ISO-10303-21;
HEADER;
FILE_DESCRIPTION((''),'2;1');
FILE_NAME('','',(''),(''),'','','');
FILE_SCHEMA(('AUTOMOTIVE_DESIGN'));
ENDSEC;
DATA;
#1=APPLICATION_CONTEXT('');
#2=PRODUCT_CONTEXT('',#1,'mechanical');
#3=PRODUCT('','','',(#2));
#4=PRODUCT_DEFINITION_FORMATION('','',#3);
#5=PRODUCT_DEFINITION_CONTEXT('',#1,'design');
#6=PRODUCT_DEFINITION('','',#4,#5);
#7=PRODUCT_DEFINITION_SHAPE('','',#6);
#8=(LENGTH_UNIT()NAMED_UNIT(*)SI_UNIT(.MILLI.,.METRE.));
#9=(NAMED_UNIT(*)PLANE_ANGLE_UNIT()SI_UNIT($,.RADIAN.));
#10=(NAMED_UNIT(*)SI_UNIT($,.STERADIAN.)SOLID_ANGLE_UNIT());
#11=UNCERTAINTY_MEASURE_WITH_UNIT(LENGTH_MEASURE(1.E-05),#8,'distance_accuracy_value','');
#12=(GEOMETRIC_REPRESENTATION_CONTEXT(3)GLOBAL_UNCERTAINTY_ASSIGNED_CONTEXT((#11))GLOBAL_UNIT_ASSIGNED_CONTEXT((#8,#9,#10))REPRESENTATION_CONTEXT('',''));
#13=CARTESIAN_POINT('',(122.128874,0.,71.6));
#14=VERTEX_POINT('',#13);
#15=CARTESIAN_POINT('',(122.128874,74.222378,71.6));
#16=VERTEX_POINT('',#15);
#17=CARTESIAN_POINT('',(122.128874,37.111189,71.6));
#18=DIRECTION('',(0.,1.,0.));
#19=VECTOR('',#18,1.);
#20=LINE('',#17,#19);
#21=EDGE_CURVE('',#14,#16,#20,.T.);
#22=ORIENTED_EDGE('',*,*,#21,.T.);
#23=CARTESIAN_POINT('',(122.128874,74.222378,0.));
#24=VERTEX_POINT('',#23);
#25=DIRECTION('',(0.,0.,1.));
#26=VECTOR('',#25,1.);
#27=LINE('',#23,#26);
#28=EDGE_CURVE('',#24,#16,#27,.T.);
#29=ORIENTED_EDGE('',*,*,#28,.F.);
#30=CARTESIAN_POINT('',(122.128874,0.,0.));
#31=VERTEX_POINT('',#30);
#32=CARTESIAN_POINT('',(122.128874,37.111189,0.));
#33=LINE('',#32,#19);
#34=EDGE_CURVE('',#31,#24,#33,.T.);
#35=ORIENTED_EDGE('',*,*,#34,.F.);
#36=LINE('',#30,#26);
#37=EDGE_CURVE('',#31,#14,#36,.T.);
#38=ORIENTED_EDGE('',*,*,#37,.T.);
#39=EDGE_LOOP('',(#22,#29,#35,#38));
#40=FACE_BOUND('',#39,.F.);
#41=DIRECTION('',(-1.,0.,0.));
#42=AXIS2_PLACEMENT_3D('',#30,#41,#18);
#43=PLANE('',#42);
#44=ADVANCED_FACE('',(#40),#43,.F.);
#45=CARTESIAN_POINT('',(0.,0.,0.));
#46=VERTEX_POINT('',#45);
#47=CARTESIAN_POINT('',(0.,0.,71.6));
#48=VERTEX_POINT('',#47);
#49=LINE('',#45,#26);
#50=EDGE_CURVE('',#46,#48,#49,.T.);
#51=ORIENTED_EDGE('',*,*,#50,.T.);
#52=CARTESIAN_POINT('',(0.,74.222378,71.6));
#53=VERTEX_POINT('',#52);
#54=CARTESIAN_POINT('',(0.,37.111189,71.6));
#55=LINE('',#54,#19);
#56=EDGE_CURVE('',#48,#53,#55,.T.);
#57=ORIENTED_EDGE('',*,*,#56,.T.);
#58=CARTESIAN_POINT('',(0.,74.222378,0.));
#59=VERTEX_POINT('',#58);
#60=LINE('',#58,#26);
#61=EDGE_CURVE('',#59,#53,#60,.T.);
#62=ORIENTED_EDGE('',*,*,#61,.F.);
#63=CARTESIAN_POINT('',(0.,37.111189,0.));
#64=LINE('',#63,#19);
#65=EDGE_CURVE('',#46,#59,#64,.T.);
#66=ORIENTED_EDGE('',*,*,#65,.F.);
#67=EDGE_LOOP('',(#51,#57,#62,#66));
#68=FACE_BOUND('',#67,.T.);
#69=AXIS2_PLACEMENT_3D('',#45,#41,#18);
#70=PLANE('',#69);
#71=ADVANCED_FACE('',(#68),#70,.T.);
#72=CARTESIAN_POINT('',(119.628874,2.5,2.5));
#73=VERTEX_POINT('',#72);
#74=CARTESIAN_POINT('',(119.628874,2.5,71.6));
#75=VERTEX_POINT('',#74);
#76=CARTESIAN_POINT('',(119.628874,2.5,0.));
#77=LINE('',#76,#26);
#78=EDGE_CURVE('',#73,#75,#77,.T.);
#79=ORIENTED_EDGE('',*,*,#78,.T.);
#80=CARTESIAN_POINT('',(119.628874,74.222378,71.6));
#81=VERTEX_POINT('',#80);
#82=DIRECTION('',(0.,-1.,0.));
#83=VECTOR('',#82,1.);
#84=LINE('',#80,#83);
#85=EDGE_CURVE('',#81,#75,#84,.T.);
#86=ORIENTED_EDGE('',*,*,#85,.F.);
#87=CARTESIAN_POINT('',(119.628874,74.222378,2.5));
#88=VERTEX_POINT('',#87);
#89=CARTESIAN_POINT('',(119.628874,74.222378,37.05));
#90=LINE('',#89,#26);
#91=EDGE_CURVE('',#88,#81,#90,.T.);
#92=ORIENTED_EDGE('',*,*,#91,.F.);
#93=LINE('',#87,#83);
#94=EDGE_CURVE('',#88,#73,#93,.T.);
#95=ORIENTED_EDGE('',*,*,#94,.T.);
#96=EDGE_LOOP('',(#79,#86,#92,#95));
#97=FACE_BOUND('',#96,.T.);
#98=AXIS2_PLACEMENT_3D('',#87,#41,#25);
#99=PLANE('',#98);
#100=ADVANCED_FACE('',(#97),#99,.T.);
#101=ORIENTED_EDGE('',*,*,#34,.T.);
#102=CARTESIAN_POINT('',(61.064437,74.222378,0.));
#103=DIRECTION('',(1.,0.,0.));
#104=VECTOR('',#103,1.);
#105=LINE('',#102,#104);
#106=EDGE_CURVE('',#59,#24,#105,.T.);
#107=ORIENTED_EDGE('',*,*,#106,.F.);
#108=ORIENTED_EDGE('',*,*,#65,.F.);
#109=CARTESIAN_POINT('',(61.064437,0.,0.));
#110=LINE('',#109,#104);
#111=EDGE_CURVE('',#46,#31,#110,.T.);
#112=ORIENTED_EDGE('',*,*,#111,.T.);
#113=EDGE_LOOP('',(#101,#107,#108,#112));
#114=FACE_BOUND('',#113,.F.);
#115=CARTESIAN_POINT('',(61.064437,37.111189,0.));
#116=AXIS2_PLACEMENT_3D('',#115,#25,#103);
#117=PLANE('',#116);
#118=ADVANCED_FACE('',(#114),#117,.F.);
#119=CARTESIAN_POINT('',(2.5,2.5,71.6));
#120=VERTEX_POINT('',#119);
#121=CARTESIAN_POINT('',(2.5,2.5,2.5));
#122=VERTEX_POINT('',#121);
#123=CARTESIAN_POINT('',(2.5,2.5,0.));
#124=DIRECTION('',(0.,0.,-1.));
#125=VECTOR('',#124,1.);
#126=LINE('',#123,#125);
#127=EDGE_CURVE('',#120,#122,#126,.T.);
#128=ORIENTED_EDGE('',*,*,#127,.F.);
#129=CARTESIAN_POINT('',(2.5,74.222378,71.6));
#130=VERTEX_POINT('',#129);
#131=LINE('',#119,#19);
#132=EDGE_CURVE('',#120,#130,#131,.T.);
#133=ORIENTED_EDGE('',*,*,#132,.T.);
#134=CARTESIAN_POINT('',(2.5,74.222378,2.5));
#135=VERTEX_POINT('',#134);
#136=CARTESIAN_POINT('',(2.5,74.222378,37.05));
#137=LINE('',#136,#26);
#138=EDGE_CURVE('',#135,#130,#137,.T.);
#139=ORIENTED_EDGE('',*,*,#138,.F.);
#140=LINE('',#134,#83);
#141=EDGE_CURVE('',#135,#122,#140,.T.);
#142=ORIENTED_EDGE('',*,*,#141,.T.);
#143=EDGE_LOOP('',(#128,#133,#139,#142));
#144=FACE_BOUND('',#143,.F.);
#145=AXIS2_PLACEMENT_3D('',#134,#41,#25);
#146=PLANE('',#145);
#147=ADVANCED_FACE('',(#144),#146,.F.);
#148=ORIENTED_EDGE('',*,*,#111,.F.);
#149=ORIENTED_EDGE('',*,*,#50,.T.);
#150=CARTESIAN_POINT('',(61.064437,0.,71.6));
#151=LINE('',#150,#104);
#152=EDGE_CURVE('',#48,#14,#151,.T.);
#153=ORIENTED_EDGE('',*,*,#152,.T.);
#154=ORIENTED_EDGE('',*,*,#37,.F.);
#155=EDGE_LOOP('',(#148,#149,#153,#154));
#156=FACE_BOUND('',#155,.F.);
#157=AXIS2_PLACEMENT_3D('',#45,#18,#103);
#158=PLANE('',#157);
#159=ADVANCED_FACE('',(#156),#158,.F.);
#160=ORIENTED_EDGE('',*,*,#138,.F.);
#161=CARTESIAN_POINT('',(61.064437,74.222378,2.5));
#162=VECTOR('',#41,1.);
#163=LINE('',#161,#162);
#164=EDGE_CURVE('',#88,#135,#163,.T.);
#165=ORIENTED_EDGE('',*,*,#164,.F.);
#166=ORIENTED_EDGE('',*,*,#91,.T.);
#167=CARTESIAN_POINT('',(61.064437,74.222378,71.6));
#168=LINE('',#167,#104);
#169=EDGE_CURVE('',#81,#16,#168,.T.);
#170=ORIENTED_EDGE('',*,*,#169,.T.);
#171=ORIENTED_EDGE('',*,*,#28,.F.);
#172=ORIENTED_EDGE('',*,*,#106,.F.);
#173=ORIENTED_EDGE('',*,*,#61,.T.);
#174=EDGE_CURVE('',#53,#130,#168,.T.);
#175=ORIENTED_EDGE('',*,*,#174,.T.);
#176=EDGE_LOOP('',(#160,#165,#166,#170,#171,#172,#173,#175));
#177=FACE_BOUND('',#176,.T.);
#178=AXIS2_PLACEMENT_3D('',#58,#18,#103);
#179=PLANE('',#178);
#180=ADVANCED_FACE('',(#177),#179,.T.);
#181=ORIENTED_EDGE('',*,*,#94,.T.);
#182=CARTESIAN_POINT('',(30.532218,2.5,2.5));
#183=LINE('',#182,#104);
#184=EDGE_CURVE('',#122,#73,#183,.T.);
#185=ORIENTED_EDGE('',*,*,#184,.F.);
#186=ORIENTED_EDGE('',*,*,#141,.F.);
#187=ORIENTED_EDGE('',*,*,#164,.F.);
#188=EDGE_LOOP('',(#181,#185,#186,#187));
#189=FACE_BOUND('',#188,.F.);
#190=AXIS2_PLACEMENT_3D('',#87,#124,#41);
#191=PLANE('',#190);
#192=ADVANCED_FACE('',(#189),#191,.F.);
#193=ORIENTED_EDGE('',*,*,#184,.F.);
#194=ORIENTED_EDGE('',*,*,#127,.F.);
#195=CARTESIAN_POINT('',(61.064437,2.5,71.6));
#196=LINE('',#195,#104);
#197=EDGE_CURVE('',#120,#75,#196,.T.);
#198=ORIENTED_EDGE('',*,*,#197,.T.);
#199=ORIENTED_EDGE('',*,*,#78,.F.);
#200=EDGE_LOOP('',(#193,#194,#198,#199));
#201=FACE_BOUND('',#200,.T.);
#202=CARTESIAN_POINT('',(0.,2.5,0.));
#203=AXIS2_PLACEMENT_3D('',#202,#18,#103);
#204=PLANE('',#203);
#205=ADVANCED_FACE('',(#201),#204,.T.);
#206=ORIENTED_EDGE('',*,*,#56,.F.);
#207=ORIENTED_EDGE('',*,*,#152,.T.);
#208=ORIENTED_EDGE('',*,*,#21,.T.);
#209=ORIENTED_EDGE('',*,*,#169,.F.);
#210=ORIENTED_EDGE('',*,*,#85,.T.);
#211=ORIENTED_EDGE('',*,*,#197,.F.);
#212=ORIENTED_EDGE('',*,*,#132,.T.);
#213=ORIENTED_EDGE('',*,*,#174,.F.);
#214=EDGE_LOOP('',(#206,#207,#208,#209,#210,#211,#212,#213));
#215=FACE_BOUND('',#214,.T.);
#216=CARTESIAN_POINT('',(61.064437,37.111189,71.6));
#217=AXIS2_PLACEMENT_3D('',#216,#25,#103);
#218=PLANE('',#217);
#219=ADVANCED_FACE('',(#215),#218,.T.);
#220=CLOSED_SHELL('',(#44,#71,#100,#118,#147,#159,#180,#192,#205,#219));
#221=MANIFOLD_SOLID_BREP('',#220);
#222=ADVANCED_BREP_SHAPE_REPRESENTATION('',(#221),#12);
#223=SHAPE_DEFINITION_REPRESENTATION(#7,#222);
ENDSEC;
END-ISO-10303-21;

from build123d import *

# Parameters (mm, degrees)
F0_W     = 122.128874
F0_H     = 74.222378
F1_DEPTH = 71.6
F2_T     = -2.5
F3_W     = 117.128874
F3_H     = 69.1
F4_DEPTH = 25


with BuildPart() as f1:
    # F0 (on Top) → F1 (new body)
    with BuildSketch(Plane.XY):
        with Locations((61.064437, 37.111189)):
            Rectangle(F0_W, F0_H)
    extrude(amount=F1_DEPTH)

    # F2
    f2_openings = [f1.faces().sort_by_distance(p)[0] for p in [
        (61.064437, 37.111189, 71.6),
    ]]
    offset(amount=F2_T, openings=f2_openings)

    # F3 (on face) → F4 (cut)
    with BuildSketch(Plane(origin=(0, 74.222378, 0), x_dir=(-1, 0, 0), z_dir=(0, 1, 0))):
        with Locations((-61.064437, 37.05)):
            Rectangle(F3_W, F3_H)
    extrude(amount=-F4_DEPTH, mode=Mode.SUBTRACT)


solid = f1.part
